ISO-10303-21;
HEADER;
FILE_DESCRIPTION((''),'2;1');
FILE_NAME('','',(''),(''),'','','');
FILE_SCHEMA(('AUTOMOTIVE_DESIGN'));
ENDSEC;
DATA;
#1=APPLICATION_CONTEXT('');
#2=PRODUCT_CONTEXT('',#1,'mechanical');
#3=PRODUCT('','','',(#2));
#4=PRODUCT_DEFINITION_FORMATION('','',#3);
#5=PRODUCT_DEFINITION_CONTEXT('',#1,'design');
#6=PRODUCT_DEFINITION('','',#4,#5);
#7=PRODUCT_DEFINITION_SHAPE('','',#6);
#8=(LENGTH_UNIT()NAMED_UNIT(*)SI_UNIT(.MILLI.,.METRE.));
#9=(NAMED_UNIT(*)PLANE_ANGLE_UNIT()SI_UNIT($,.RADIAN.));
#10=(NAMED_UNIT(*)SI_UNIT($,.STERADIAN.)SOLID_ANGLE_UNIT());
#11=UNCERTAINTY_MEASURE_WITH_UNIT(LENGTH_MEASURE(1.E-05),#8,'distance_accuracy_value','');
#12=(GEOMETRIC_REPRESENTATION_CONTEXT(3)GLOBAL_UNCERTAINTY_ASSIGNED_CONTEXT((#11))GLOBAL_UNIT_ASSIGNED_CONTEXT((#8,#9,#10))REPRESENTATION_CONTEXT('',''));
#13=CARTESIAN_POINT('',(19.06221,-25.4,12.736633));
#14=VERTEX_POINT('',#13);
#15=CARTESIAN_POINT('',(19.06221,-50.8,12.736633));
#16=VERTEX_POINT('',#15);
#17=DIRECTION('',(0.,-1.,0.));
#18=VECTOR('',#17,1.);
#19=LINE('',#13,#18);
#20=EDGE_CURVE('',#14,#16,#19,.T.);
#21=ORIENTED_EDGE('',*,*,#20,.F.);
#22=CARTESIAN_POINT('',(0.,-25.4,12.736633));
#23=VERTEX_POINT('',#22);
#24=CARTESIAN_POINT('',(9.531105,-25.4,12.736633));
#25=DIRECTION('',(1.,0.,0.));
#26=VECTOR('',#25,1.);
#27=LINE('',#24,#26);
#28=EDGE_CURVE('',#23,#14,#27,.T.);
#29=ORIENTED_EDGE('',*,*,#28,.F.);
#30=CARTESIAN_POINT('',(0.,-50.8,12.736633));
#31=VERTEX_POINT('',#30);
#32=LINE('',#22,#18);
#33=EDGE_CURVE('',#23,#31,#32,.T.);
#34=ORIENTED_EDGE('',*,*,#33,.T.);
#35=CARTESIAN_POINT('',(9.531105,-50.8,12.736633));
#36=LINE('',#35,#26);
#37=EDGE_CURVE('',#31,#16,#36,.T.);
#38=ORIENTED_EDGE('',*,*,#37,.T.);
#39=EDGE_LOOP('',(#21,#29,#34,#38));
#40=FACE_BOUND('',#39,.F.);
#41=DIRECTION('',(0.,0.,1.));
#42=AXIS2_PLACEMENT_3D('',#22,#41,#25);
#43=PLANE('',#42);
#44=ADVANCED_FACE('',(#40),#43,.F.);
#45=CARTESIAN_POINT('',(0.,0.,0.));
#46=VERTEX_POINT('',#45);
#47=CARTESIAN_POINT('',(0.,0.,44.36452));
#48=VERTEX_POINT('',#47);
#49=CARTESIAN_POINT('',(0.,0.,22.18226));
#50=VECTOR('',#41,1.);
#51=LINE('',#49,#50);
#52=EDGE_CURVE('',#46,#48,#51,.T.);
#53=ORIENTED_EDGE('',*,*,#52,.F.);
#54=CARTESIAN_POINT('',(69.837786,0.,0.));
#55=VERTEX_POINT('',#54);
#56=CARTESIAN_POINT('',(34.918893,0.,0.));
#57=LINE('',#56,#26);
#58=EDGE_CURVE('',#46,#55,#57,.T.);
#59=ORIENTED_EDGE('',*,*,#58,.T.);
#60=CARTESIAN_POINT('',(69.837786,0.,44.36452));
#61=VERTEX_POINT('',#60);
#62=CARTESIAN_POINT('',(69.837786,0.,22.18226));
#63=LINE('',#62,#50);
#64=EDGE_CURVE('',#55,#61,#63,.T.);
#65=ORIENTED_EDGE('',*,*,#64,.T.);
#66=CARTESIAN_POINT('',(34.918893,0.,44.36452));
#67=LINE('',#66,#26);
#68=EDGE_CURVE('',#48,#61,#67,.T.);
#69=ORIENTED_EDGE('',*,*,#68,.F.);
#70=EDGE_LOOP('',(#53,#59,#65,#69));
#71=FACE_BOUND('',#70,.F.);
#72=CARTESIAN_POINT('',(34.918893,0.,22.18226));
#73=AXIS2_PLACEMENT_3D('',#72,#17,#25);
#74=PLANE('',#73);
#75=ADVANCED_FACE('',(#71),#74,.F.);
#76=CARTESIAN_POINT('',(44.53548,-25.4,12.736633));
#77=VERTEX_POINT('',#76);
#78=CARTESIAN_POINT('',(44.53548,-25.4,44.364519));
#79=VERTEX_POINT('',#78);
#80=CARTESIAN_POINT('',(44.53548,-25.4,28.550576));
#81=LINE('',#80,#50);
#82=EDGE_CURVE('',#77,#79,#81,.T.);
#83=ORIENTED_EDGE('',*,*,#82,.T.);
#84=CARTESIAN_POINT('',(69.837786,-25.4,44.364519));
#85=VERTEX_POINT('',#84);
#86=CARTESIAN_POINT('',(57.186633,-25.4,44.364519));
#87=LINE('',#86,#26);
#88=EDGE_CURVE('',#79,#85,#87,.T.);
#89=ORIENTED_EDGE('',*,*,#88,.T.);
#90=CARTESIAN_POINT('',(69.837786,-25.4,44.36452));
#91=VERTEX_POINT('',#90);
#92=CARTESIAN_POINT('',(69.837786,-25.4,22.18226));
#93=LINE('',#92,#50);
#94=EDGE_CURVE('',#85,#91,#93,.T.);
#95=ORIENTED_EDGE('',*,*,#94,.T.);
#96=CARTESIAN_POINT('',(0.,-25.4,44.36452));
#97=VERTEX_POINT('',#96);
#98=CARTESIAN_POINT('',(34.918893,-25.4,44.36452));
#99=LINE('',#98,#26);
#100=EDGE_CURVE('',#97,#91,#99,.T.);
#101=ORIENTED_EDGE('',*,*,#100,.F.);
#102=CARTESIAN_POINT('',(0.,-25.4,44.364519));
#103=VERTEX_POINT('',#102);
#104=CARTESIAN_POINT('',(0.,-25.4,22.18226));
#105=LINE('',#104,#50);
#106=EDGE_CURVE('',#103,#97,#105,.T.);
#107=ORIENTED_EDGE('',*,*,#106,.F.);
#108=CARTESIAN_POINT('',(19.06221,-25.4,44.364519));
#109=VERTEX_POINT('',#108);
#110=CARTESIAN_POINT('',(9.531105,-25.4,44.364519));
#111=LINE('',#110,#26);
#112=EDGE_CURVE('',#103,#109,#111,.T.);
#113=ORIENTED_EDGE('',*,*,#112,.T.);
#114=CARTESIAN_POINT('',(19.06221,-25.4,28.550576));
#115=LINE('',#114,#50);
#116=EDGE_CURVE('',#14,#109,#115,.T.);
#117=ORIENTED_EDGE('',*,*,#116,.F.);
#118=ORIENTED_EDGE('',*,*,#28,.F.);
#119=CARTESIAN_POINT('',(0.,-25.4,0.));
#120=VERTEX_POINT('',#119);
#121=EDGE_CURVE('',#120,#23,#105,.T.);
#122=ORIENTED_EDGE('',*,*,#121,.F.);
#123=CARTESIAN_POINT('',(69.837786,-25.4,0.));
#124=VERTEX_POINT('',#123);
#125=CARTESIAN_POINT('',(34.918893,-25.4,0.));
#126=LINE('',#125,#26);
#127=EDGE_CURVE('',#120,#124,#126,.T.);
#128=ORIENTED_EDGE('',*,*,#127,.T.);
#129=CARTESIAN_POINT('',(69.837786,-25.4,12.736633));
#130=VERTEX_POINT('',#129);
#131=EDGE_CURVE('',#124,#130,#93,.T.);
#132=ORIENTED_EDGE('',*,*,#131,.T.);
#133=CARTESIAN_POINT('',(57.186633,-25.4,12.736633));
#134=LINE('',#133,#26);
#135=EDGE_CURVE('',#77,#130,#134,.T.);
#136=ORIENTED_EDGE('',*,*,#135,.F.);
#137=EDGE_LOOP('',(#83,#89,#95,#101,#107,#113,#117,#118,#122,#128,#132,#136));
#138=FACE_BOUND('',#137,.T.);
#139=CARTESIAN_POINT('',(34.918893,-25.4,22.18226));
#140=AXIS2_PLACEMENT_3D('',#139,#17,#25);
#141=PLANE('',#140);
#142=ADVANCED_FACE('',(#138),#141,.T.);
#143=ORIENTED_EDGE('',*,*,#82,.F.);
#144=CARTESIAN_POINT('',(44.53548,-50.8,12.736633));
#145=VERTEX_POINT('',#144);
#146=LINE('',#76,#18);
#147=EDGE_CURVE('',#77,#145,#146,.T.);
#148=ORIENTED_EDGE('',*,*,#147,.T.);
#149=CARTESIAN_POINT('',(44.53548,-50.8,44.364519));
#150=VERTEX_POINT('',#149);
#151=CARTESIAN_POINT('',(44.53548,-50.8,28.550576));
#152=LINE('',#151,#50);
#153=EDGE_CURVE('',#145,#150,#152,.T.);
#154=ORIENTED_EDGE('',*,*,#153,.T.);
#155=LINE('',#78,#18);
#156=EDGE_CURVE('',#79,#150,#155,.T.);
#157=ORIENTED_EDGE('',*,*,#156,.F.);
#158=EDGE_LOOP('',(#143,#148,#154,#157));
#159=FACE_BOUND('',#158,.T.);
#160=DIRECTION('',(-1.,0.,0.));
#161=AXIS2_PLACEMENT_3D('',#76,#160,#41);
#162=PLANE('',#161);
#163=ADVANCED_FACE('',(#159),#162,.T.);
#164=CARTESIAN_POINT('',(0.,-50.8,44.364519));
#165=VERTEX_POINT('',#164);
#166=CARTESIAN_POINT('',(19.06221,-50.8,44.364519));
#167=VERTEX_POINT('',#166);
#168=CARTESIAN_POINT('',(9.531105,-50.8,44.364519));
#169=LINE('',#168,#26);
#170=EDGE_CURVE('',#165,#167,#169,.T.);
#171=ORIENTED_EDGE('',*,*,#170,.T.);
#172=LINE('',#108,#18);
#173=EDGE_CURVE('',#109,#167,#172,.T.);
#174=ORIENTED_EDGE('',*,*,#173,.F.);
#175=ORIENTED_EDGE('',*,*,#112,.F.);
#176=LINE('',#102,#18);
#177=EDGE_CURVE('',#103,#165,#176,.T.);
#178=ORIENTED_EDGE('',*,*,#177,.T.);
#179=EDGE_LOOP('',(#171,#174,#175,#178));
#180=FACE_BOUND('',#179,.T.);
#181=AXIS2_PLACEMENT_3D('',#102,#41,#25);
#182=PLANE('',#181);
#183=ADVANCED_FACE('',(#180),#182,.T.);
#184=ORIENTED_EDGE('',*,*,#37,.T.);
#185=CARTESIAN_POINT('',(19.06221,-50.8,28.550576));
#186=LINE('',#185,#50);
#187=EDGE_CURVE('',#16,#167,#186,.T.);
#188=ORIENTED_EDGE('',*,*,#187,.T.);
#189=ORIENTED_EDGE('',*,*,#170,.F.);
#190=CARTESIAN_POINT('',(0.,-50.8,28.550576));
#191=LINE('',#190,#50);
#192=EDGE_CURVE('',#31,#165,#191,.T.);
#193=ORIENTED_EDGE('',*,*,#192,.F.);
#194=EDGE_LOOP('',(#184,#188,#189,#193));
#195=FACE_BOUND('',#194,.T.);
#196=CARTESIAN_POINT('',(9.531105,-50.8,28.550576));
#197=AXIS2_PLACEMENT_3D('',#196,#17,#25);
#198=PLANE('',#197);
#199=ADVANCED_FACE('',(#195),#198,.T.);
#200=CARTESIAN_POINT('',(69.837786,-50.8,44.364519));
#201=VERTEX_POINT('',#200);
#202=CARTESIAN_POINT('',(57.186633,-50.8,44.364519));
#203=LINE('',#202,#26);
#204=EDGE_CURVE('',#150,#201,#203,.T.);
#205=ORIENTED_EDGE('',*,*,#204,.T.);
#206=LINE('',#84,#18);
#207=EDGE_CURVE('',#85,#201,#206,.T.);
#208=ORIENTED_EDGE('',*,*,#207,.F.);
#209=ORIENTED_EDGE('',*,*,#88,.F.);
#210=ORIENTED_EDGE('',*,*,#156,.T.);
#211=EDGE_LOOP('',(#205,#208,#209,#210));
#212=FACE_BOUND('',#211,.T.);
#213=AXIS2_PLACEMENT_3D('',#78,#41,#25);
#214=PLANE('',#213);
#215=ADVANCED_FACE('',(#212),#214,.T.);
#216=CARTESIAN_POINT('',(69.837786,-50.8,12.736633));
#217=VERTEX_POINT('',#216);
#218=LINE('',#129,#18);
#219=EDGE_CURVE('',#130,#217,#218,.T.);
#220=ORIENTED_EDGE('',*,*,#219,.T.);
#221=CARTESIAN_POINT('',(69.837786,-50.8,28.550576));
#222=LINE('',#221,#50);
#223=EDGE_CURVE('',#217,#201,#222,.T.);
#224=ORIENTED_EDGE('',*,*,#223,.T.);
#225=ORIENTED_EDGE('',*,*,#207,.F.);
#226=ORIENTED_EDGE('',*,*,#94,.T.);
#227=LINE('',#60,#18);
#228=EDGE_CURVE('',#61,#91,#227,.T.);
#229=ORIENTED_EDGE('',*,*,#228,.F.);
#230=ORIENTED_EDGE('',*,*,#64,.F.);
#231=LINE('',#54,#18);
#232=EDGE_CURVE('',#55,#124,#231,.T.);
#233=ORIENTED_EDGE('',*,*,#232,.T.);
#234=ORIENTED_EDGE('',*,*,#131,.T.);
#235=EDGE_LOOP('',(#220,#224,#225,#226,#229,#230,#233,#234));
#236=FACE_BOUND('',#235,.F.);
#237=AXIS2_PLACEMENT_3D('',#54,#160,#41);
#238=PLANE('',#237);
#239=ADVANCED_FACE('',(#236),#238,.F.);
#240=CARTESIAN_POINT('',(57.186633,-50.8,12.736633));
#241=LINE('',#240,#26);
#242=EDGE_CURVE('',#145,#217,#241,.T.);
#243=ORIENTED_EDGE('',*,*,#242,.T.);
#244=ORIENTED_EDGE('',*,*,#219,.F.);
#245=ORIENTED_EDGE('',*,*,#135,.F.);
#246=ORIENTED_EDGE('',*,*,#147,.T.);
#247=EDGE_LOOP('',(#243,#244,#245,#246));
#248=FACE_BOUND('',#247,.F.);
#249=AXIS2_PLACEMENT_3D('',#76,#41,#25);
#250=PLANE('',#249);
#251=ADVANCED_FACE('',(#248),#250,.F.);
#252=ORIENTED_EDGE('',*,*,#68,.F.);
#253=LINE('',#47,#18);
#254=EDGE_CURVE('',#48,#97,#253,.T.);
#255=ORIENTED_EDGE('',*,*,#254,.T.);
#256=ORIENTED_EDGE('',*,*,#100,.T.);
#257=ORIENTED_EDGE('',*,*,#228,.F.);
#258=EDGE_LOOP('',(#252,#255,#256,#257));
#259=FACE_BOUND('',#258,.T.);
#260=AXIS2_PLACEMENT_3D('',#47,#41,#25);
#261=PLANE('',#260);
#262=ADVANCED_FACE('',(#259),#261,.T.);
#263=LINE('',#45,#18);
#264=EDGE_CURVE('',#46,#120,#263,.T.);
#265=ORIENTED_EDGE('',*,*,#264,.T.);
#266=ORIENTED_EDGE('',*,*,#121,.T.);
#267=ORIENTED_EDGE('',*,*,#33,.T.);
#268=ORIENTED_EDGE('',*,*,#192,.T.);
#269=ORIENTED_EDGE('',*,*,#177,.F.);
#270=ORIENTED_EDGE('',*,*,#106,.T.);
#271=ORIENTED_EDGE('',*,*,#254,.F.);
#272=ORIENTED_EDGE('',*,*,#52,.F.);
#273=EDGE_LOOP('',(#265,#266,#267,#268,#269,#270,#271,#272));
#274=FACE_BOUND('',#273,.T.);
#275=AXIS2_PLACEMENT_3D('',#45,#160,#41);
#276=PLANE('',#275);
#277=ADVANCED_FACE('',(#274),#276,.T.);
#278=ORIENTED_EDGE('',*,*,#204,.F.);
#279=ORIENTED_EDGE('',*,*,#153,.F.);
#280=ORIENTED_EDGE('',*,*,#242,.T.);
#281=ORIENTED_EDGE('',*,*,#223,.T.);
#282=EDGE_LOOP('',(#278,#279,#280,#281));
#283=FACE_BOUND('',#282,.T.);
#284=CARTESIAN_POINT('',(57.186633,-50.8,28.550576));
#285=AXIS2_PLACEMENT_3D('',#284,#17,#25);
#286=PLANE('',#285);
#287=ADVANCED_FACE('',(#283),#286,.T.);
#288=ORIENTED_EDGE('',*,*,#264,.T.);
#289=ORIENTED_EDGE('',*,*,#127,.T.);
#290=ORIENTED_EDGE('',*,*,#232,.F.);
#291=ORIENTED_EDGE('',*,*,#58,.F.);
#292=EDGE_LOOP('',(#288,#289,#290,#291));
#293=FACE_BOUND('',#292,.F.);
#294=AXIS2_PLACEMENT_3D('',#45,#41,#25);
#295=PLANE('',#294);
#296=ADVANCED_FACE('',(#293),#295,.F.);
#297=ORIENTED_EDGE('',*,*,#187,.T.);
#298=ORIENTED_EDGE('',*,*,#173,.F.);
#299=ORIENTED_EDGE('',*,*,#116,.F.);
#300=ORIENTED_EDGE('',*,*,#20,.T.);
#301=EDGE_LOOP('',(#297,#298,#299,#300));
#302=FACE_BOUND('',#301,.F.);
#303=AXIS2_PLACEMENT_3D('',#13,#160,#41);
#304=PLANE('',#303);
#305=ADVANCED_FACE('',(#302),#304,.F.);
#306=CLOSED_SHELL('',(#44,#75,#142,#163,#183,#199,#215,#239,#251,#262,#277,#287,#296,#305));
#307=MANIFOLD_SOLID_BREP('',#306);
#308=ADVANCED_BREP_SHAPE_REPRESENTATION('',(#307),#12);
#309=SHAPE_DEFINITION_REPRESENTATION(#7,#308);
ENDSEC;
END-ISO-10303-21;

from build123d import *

# Parameters (mm, degrees)
F0_W     = 69.837786
F0_H     = 44.364519
F1_DEPTH = 25.4
F2_W     = 19.06221
F2_H     = 31.627885
F2_W_2   = 25.302306
F3_DEPTH = 25.4


with BuildPart() as f1:
    # F0 (on Front) → F1 (new body)
    with BuildSketch(Plane.XZ):
        with Locations((34.918893, 22.18226)):
            Rectangle(F0_W, F0_H)
    extrude(amount=F1_DEPTH)

    # F2 (on face) → F3 (join)
    with BuildSketch(Plane.XZ.offset(25.4)):
        with Locations((9.531105, 28.550576)):
            Rectangle(F2_W, F2_H)
        with Locations((57.186633, 28.550576)):
            Rectangle(F2_W_2, F2_H)
    extrude(amount=F3_DEPTH)


solid = f1.part
